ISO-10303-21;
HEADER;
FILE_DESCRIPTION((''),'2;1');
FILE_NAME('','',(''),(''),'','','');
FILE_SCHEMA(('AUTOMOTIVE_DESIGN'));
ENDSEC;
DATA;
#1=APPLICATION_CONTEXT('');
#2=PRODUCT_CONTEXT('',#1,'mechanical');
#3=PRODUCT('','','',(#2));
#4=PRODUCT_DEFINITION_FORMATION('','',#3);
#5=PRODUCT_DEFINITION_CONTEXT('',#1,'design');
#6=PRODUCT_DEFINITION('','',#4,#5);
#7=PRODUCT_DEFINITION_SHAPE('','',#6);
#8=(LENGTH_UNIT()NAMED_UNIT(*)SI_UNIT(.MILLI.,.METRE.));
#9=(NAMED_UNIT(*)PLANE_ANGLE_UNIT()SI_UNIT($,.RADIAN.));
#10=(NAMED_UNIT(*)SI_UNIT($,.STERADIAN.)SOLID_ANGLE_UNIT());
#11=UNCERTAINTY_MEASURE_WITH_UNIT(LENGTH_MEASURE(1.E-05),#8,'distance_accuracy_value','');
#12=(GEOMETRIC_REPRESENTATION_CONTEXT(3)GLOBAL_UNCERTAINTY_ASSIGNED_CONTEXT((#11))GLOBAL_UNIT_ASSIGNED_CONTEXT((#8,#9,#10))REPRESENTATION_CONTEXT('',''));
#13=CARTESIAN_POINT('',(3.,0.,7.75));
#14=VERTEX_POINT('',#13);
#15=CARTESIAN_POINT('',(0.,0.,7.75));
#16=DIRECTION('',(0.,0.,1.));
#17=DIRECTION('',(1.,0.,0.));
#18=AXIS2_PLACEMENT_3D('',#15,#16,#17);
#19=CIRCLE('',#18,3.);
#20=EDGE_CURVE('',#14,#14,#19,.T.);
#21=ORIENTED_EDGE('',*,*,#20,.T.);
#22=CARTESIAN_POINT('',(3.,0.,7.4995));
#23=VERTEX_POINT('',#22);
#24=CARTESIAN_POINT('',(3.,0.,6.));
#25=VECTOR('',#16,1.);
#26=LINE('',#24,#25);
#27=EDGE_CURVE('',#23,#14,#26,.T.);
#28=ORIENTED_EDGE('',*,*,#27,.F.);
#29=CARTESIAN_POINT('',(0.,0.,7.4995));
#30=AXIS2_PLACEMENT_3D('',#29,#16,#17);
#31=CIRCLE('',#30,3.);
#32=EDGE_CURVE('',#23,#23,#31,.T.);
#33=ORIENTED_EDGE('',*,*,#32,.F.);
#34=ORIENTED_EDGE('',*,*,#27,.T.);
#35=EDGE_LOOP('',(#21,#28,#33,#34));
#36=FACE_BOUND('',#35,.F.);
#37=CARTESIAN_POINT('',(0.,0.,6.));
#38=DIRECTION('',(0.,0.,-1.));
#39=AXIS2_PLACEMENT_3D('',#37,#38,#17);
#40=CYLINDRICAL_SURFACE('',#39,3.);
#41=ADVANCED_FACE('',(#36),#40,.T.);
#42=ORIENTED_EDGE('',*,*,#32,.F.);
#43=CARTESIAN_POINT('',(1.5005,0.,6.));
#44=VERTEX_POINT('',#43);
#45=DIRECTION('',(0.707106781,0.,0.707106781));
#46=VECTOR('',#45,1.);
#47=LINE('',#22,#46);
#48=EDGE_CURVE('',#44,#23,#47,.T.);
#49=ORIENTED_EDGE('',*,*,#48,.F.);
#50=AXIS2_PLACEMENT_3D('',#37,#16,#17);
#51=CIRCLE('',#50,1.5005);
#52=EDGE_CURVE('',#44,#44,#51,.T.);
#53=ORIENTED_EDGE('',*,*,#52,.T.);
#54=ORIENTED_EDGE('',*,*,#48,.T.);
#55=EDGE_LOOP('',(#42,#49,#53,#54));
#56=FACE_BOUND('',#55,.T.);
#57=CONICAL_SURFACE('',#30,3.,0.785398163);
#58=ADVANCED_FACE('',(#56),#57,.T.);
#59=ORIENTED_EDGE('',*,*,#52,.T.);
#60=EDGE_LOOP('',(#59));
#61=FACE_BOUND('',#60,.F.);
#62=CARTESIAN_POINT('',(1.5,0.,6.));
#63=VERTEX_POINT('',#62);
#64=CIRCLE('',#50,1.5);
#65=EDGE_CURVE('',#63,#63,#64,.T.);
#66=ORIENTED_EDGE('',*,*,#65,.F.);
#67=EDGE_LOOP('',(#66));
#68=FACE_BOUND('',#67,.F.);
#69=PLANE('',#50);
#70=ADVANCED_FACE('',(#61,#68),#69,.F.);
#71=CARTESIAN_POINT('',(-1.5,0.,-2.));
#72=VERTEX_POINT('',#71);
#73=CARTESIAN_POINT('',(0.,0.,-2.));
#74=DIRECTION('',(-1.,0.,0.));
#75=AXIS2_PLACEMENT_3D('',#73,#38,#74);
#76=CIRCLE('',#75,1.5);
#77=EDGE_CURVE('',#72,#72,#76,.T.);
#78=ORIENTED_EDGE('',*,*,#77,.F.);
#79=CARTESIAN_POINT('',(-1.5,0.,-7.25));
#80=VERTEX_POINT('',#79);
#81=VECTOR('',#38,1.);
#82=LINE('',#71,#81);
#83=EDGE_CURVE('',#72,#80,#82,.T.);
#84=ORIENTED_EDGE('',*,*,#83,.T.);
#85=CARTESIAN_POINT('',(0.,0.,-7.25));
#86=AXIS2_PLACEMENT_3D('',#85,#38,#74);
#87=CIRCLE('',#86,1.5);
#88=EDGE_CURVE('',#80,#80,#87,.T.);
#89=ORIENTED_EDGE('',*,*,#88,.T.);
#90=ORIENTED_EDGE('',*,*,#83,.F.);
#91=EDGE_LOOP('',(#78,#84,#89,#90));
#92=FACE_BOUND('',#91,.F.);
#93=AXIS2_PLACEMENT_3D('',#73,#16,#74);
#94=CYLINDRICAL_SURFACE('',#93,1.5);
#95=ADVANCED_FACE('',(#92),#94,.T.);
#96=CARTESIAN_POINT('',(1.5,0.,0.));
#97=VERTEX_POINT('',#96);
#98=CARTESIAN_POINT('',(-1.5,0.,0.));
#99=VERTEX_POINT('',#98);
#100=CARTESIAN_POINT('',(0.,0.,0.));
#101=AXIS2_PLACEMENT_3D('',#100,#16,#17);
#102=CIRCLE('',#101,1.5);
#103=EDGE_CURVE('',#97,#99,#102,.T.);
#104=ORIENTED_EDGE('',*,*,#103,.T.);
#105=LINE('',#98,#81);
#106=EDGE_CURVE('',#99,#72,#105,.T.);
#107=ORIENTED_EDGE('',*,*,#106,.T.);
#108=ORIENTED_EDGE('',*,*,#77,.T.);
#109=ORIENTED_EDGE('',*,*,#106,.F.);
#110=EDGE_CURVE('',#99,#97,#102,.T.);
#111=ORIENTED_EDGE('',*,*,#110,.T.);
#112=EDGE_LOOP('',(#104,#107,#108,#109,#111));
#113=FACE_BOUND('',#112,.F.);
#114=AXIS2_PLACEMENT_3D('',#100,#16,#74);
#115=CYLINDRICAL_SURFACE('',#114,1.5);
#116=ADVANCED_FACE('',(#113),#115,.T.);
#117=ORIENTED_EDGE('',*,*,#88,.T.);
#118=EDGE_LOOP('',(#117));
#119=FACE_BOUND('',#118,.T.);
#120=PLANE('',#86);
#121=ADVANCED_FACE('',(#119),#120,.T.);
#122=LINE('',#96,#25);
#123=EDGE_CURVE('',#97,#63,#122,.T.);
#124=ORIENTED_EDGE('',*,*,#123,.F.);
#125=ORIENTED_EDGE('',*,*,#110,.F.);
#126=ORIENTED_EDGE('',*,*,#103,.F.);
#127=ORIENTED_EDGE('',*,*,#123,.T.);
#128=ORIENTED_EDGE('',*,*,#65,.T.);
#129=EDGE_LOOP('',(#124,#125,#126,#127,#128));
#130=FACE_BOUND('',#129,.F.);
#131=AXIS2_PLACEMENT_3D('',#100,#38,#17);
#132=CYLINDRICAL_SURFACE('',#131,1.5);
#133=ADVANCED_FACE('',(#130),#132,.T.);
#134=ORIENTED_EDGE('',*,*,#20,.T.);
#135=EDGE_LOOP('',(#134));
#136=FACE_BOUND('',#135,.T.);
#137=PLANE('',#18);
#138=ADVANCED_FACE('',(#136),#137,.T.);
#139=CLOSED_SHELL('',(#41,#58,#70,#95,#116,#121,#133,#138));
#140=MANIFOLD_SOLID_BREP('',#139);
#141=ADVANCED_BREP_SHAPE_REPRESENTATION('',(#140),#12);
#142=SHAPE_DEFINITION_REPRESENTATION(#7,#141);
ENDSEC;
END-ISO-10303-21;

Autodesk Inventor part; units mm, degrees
ref_plane "YZ Plane" through (0, 0, 0) normal (1, 0, 0) x (0, 1, 0)
ref_plane "XZ Plane" through (0, 0, 0) normal (0, 1, 0) x (-1, 0, 0)
ref_plane "XY Plane" through (0, 0, 0) normal (0, 0, 1) x (1, 0, 0)
sketch "スケッチ1" plane through (0, 0, 0) normal (0, 0, 1) x (1, 0, 0)
  circle A0 centre (0, 0) radius 1.5
  dimension "d0" = 3
extrude "押し出し1" add sketch "スケッチ1" along normal blind 6
sketch "スケッチ2" plane through (0, 0, 6) normal (0, 0, 1) x (1, 0, 0)
  circle A0 centre (0, 0) radius 1.5 projected
  circle A1 centre (0, 0) radius 3
  dimension "d3" = 6
extrude "押し出し2" add sketch "スケッチ2" along normal blind 1.75 contours A0 | A1
thread "ねじ1" size "M3x0.5" class "6g" standard "ANSI Metric M Profile" full length
chamfer "面取り1" distance 1.5 angle 45 1 edges at (-3, 0, 6)
sketch "スケッチ4" plane through (0, 0, 0) normal (0, 0, -1) x (-1, 0, 0)
  circle A0 centre (0, 0) radius 1.5 projected
extrude "押し出し4" add sketch "スケッチ4" along normal blind 4
sketch "スケッチ5" plane through (0, 0, -4) normal (0, 0, -1) x (-1, 0, 0)
  circle A0 centre (0, 0) radius 1.5 projected
extrude "押し出し5" cut sketch "スケッチ5" against normal blind 2
sketch "スケッチ6" plane through (0, 0, -2) normal (0, 0, -1) x (-1, 0, 0)
  circle A0 centre (0, 0) radius 1.5 projected
extrude "押し出し6" add sketch "スケッチ6" along normal blind 5.25
properties part number "SB　15mm皿ネジ" material "Steel, Mild"
